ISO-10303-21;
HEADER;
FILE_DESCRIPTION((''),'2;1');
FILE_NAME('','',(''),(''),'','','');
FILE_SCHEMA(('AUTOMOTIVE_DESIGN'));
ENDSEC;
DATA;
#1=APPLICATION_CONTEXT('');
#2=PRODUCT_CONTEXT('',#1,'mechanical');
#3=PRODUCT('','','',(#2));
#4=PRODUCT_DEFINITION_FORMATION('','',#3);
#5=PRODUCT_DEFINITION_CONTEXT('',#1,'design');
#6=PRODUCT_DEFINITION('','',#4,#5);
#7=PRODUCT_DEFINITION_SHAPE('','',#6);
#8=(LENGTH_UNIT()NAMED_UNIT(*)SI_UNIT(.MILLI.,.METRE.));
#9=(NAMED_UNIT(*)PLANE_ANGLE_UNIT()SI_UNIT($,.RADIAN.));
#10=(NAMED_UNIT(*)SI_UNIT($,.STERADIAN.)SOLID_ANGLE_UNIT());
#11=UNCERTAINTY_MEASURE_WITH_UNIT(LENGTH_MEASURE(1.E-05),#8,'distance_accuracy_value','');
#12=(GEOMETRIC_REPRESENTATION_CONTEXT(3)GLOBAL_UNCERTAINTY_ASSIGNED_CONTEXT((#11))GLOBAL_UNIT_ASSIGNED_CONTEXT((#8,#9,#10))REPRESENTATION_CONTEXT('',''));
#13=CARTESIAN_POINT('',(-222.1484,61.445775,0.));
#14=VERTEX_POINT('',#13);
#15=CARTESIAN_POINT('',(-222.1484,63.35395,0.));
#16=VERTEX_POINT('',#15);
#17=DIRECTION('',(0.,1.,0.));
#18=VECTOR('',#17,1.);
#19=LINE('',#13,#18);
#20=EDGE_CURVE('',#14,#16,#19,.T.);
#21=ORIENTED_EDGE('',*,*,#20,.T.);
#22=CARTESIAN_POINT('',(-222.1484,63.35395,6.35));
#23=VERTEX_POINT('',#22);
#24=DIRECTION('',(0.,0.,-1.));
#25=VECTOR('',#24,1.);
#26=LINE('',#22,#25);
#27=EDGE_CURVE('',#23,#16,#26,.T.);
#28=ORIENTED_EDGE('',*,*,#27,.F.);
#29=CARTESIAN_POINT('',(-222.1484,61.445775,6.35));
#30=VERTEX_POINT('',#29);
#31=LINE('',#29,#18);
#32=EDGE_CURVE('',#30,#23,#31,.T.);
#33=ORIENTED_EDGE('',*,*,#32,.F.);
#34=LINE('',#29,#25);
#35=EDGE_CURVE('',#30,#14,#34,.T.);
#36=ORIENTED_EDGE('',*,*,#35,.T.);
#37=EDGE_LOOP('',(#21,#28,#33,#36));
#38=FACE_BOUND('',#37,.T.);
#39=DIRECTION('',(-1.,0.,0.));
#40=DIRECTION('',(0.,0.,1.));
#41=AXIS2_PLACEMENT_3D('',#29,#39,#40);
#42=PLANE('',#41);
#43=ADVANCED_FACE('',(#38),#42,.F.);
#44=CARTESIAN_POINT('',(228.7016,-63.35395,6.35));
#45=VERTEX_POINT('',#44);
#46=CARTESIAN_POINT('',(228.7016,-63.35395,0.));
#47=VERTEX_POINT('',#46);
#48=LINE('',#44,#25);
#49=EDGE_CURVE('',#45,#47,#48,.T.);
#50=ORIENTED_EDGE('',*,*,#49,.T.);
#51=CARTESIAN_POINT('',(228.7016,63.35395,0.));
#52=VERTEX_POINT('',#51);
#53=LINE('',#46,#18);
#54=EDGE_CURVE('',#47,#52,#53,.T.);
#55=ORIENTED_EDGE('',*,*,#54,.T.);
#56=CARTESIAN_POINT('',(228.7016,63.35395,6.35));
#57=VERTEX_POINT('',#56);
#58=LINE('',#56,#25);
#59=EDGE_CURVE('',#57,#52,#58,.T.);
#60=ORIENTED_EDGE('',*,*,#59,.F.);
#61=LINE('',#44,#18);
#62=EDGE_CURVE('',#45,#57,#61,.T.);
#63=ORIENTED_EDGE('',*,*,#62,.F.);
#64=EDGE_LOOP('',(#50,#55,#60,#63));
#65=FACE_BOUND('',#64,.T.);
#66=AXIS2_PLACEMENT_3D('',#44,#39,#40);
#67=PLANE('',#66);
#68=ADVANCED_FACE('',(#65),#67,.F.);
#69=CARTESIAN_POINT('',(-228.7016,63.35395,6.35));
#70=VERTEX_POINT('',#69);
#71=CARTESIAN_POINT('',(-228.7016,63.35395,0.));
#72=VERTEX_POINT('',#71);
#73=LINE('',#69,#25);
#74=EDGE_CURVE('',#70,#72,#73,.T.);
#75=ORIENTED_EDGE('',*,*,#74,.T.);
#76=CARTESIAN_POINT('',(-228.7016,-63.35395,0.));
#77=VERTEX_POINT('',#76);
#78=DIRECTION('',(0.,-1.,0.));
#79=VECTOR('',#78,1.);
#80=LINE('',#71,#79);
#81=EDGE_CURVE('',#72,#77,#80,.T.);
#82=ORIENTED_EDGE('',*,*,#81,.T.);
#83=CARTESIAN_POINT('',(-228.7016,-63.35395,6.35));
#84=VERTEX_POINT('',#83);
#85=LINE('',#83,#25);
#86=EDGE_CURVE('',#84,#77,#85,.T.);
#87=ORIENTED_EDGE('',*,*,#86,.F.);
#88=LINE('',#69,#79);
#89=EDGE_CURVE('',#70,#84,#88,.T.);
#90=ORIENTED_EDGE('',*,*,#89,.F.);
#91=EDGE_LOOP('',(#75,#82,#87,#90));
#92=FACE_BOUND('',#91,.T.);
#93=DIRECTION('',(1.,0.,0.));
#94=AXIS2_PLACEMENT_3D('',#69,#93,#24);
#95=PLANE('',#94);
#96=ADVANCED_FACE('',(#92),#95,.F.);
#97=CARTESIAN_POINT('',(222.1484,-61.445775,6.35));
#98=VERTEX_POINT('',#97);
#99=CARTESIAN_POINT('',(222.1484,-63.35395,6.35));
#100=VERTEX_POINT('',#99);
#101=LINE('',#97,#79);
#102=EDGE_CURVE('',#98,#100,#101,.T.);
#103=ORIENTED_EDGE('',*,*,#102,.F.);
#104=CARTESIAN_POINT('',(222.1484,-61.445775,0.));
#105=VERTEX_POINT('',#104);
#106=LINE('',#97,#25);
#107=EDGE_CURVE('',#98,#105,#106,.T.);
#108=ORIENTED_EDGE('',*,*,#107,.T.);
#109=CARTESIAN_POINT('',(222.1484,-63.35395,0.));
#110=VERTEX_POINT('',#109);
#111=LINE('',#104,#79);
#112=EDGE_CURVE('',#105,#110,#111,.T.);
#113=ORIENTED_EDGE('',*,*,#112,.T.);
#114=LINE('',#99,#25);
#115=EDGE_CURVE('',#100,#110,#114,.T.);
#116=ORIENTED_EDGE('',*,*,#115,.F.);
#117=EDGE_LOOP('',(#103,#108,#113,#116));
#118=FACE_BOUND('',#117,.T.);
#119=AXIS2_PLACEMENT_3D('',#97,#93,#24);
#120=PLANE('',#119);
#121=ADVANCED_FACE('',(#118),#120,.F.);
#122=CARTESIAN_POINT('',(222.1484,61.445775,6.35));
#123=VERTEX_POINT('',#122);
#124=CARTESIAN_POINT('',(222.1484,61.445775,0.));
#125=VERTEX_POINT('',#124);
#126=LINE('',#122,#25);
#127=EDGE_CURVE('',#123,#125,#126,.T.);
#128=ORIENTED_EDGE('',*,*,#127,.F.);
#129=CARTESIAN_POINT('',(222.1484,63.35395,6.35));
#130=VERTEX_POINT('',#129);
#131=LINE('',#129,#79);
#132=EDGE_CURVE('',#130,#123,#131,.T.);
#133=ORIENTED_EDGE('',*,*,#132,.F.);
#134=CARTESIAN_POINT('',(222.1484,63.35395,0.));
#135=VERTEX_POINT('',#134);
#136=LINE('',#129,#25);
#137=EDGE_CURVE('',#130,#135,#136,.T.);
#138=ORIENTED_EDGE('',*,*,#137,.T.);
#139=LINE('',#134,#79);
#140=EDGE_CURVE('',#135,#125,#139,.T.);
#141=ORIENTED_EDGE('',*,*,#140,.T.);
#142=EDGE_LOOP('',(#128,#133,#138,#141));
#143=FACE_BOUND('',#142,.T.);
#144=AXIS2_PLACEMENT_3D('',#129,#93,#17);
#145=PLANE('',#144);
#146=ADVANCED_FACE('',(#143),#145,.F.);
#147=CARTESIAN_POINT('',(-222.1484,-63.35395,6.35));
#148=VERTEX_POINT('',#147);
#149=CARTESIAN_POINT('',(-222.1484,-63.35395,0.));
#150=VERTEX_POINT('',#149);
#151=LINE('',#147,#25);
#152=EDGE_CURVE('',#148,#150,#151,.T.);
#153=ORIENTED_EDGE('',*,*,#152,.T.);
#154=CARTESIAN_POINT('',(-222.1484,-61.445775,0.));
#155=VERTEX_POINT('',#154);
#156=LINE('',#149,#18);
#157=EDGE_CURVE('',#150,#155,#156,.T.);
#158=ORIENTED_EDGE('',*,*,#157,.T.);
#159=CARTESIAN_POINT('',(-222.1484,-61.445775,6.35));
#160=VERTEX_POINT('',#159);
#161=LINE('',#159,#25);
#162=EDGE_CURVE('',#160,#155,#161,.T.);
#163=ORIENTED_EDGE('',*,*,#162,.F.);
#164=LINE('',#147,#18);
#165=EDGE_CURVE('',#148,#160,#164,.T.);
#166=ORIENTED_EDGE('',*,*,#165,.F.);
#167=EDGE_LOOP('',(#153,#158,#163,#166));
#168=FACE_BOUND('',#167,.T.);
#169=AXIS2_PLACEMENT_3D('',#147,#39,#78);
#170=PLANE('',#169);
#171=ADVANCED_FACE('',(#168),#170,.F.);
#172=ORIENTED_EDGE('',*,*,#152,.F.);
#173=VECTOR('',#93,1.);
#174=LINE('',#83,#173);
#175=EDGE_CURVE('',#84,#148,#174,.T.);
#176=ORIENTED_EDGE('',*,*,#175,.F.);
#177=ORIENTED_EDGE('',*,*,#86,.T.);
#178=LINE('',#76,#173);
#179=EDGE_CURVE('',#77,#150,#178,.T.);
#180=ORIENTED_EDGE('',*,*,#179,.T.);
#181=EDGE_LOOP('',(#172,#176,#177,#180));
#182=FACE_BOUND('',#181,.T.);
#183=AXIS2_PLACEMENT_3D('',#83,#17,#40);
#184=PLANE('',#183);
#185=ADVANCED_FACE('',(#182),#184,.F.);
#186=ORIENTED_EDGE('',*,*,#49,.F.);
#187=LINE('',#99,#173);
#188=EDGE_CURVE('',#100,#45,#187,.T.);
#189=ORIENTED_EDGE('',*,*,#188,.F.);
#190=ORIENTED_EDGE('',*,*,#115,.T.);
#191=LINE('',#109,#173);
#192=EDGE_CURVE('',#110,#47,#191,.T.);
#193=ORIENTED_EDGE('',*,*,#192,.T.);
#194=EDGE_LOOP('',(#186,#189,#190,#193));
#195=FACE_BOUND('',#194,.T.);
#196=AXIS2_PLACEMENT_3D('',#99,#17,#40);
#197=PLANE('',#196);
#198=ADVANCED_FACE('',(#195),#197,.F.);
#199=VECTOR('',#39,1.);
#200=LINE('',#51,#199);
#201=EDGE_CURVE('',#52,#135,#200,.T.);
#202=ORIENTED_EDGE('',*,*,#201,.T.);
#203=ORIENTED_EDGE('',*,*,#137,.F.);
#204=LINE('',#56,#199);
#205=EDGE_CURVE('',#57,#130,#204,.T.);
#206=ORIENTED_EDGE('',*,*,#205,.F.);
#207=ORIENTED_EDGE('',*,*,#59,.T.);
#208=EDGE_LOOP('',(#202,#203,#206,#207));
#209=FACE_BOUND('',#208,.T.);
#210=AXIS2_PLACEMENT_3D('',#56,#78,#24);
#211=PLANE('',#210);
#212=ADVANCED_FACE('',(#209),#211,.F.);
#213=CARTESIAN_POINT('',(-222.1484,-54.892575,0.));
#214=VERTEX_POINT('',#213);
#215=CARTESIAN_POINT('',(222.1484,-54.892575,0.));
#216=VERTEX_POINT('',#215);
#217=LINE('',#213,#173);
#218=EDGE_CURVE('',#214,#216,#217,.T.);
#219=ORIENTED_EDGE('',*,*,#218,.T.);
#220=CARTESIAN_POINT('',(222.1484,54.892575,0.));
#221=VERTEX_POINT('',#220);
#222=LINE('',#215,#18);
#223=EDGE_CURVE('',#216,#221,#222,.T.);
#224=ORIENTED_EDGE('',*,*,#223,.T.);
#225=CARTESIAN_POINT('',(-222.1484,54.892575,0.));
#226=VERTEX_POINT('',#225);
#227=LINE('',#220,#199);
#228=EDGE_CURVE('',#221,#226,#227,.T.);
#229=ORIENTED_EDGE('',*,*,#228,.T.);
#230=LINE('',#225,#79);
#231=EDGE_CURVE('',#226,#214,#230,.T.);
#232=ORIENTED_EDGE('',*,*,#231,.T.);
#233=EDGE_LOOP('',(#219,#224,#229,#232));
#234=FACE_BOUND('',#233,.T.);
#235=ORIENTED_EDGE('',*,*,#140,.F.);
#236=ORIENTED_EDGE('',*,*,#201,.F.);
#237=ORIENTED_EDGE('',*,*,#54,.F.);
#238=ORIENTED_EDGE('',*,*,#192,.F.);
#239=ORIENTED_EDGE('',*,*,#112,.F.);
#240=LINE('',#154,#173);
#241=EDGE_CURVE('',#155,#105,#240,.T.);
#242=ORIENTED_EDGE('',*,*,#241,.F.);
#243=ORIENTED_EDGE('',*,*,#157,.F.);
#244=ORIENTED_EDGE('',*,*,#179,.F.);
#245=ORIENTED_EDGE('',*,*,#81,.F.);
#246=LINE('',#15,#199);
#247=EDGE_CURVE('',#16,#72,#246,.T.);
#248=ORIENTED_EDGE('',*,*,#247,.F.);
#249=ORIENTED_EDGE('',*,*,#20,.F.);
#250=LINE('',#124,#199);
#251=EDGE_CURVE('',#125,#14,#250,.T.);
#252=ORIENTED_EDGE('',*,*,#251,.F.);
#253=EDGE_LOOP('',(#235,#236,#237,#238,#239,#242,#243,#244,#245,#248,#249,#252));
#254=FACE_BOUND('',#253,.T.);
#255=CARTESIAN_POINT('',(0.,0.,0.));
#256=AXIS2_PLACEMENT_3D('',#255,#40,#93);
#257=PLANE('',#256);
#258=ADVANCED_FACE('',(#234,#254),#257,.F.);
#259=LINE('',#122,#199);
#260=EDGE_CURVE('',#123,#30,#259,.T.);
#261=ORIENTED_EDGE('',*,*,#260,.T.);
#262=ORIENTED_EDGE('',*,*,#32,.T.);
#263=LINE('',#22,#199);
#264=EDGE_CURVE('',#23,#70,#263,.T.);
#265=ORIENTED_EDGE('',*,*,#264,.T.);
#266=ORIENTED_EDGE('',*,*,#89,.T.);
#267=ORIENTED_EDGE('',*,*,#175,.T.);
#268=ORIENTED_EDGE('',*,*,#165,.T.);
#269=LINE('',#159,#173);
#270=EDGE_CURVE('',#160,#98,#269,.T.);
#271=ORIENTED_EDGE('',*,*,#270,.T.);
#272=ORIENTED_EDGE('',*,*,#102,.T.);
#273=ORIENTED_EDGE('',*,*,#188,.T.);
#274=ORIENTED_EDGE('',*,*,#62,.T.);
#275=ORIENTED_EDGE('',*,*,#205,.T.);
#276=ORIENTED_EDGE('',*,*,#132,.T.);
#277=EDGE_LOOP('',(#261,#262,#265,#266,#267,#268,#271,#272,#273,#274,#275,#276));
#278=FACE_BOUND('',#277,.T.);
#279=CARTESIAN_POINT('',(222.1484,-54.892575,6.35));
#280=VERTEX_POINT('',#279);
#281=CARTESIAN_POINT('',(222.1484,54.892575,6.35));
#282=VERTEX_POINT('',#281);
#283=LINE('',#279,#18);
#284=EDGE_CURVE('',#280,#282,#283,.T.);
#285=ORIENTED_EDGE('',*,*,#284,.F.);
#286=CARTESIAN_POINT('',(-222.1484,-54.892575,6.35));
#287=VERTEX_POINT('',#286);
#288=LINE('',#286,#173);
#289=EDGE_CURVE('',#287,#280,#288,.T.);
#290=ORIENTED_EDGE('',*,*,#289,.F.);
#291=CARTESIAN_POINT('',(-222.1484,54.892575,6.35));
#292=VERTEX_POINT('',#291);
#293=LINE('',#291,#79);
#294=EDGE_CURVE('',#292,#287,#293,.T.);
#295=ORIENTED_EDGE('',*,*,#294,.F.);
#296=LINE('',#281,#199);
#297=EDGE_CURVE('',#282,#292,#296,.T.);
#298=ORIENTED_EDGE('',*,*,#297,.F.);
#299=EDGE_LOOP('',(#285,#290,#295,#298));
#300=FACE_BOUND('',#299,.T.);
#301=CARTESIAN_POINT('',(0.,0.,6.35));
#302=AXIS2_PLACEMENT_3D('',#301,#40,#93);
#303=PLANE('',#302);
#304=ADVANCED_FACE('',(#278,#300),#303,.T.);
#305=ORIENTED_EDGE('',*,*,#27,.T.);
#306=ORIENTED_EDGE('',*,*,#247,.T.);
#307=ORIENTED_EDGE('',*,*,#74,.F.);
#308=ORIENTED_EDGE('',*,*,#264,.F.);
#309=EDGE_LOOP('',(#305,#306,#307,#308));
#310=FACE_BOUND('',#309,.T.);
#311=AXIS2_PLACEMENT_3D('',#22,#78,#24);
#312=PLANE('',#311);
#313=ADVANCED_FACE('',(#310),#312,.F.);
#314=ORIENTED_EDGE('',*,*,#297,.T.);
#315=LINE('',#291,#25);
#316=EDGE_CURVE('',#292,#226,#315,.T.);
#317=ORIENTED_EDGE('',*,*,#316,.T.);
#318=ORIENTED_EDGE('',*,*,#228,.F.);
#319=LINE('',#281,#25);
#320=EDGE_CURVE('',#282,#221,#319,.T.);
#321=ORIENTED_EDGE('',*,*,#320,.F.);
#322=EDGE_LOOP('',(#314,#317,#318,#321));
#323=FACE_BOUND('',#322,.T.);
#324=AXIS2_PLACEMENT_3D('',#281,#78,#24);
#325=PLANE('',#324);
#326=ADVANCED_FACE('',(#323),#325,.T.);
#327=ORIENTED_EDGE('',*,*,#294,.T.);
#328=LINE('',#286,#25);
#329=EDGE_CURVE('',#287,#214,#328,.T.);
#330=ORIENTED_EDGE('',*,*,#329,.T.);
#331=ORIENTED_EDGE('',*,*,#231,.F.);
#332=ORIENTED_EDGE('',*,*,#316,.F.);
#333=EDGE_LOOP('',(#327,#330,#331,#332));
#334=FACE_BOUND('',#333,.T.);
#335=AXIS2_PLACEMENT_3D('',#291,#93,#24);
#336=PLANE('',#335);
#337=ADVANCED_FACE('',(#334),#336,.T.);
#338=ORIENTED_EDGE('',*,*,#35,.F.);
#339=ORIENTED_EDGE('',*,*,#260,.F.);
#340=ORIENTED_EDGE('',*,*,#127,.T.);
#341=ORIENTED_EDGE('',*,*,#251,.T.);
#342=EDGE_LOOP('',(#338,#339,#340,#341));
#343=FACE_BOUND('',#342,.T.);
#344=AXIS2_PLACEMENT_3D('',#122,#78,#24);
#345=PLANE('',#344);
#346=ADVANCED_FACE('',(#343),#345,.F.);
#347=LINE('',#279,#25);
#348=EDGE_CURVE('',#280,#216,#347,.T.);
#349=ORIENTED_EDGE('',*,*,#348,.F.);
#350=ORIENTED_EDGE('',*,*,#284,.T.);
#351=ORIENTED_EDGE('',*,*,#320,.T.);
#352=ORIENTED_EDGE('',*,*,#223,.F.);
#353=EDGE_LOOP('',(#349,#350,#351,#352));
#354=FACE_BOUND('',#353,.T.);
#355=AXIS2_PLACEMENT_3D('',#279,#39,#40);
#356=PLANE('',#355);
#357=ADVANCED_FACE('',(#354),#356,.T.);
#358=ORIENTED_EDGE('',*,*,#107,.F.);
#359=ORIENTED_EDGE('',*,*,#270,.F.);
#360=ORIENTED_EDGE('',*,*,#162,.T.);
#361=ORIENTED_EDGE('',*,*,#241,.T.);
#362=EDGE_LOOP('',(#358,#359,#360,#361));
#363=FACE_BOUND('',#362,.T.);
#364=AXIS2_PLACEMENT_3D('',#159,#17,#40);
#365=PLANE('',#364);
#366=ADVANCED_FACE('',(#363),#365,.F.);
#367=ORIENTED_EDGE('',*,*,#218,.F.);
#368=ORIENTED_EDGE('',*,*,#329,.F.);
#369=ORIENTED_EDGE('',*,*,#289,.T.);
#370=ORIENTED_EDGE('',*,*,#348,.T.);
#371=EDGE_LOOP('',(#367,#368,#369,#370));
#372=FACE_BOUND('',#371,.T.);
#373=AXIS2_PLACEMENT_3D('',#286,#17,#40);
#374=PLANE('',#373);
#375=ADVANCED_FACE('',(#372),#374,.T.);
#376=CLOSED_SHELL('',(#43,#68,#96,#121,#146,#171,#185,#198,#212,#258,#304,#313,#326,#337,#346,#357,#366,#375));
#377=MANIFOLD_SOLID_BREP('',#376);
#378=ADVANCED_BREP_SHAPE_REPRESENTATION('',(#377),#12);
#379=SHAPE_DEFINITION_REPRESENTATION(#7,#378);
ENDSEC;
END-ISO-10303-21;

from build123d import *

# Parameters (mm, degrees)
SKETCH1_W           = 444.2968
SKETCH1_H           = 109.78515
BOSS_EXTRUDE1_DEPTH = 6.35


with BuildPart() as part:
    # Sketch1 → Boss-Extrude1 (new body)
    with BuildSketch(Plane.XY):
        Polygon((222.1484, -63.35395), (228.7016, -63.35395), (228.7016, 63.35395), (222.1484, 63.35395), (222.1484, 61.445775), (-222.1484, 61.445775), (-222.1484, 63.35395), (-228.7016, 63.35395), (-228.7016, -63.35395), (-222.1484, -63.35395), (-222.1484, -61.445775), (222.1484, -61.445775), align=None)
        Rectangle(SKETCH1_W, SKETCH1_H, mode=Mode.SUBTRACT)
    extrude(amount=BOSS_EXTRUDE1_DEPTH)


solid = part.part
